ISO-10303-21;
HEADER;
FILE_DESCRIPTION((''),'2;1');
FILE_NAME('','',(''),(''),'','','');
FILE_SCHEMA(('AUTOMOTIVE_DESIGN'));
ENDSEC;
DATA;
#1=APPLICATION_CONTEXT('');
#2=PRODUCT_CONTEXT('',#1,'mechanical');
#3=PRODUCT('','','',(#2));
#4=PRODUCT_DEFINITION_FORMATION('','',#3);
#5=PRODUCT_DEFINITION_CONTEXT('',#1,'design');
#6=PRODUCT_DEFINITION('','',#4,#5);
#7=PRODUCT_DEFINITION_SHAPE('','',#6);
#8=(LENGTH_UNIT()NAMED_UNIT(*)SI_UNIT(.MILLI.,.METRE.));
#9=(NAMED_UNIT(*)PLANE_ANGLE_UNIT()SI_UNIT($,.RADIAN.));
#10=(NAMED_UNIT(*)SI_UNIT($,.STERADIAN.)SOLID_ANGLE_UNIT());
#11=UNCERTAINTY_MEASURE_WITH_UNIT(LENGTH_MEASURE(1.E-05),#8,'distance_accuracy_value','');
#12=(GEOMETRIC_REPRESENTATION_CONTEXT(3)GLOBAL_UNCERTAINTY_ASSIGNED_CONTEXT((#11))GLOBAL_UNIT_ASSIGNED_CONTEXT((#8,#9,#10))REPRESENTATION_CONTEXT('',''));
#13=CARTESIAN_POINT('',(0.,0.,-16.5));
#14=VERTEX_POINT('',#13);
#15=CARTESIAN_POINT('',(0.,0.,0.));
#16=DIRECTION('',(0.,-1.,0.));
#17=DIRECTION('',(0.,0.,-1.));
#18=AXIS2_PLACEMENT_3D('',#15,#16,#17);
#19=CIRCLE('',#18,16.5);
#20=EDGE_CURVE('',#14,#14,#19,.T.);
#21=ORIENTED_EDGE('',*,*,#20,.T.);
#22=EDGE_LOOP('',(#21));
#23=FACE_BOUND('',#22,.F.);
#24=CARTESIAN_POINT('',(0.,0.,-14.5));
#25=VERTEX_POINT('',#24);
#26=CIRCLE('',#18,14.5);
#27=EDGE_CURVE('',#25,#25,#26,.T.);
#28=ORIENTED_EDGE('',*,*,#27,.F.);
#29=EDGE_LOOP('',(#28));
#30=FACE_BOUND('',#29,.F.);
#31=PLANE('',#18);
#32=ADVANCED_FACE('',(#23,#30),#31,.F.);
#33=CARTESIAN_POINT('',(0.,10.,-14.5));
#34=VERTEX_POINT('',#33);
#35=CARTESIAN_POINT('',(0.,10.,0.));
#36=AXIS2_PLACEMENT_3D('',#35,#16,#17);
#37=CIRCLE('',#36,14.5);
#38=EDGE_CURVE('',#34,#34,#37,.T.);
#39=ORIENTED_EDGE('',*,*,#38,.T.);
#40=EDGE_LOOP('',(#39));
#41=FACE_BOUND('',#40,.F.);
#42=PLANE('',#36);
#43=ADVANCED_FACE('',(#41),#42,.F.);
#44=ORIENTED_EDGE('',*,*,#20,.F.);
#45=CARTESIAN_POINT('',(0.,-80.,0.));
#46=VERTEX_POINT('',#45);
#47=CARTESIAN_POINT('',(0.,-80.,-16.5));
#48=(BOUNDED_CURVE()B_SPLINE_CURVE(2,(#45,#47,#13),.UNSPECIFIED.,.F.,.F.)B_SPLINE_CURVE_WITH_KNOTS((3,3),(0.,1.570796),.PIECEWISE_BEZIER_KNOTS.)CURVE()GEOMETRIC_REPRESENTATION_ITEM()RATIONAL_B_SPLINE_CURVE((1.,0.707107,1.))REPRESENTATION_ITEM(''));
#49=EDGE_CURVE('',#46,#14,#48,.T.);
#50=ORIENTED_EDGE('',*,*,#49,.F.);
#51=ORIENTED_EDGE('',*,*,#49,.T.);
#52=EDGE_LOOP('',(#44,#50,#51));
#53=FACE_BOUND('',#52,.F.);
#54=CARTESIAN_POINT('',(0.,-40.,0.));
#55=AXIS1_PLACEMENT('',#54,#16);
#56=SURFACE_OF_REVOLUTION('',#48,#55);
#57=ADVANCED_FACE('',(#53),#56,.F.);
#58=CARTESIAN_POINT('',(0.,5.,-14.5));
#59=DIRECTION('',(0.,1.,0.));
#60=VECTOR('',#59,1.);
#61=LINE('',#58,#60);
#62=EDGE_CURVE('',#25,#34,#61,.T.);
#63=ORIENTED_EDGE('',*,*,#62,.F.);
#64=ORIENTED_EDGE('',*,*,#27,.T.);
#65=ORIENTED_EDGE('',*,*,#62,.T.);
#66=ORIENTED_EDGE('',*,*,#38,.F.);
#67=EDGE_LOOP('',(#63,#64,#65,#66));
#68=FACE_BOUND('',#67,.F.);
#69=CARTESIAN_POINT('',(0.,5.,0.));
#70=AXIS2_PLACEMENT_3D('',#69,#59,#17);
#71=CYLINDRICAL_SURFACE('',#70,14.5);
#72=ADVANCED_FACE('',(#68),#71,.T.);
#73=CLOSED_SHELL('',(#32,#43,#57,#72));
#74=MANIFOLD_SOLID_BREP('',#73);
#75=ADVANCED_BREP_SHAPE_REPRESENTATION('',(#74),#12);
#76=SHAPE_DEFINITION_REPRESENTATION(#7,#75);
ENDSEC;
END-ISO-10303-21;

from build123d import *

# Parameters (mm, degrees)
F0_W = 10
F0_H = 14.5


with BuildPart() as f1:
    # F0 (on Right) → F1 (revolve)
    with BuildSketch(Plane.YZ):
        with BuildLine():
            Line((0, -14.5), (0, 0))
            Line((0, 0), (-80, 0))
            add(Edge.make_bspline(
                [(-80, 0), (-80, -16.5), (0, -16.5)],
                knots=[0, 0, 0, 1.570796, 1.570796, 1.570796], degree=2, weights=[1, 0.707107, 1]))
            Line((0, -16.5), (0, -14.5))
        make_face()
        with Locations((5, -7.25)):
            Rectangle(F0_W, F0_H)
    revolve(axis=Axis((0, -40, 0), (0, -1, 0)))


solid = f1.part
